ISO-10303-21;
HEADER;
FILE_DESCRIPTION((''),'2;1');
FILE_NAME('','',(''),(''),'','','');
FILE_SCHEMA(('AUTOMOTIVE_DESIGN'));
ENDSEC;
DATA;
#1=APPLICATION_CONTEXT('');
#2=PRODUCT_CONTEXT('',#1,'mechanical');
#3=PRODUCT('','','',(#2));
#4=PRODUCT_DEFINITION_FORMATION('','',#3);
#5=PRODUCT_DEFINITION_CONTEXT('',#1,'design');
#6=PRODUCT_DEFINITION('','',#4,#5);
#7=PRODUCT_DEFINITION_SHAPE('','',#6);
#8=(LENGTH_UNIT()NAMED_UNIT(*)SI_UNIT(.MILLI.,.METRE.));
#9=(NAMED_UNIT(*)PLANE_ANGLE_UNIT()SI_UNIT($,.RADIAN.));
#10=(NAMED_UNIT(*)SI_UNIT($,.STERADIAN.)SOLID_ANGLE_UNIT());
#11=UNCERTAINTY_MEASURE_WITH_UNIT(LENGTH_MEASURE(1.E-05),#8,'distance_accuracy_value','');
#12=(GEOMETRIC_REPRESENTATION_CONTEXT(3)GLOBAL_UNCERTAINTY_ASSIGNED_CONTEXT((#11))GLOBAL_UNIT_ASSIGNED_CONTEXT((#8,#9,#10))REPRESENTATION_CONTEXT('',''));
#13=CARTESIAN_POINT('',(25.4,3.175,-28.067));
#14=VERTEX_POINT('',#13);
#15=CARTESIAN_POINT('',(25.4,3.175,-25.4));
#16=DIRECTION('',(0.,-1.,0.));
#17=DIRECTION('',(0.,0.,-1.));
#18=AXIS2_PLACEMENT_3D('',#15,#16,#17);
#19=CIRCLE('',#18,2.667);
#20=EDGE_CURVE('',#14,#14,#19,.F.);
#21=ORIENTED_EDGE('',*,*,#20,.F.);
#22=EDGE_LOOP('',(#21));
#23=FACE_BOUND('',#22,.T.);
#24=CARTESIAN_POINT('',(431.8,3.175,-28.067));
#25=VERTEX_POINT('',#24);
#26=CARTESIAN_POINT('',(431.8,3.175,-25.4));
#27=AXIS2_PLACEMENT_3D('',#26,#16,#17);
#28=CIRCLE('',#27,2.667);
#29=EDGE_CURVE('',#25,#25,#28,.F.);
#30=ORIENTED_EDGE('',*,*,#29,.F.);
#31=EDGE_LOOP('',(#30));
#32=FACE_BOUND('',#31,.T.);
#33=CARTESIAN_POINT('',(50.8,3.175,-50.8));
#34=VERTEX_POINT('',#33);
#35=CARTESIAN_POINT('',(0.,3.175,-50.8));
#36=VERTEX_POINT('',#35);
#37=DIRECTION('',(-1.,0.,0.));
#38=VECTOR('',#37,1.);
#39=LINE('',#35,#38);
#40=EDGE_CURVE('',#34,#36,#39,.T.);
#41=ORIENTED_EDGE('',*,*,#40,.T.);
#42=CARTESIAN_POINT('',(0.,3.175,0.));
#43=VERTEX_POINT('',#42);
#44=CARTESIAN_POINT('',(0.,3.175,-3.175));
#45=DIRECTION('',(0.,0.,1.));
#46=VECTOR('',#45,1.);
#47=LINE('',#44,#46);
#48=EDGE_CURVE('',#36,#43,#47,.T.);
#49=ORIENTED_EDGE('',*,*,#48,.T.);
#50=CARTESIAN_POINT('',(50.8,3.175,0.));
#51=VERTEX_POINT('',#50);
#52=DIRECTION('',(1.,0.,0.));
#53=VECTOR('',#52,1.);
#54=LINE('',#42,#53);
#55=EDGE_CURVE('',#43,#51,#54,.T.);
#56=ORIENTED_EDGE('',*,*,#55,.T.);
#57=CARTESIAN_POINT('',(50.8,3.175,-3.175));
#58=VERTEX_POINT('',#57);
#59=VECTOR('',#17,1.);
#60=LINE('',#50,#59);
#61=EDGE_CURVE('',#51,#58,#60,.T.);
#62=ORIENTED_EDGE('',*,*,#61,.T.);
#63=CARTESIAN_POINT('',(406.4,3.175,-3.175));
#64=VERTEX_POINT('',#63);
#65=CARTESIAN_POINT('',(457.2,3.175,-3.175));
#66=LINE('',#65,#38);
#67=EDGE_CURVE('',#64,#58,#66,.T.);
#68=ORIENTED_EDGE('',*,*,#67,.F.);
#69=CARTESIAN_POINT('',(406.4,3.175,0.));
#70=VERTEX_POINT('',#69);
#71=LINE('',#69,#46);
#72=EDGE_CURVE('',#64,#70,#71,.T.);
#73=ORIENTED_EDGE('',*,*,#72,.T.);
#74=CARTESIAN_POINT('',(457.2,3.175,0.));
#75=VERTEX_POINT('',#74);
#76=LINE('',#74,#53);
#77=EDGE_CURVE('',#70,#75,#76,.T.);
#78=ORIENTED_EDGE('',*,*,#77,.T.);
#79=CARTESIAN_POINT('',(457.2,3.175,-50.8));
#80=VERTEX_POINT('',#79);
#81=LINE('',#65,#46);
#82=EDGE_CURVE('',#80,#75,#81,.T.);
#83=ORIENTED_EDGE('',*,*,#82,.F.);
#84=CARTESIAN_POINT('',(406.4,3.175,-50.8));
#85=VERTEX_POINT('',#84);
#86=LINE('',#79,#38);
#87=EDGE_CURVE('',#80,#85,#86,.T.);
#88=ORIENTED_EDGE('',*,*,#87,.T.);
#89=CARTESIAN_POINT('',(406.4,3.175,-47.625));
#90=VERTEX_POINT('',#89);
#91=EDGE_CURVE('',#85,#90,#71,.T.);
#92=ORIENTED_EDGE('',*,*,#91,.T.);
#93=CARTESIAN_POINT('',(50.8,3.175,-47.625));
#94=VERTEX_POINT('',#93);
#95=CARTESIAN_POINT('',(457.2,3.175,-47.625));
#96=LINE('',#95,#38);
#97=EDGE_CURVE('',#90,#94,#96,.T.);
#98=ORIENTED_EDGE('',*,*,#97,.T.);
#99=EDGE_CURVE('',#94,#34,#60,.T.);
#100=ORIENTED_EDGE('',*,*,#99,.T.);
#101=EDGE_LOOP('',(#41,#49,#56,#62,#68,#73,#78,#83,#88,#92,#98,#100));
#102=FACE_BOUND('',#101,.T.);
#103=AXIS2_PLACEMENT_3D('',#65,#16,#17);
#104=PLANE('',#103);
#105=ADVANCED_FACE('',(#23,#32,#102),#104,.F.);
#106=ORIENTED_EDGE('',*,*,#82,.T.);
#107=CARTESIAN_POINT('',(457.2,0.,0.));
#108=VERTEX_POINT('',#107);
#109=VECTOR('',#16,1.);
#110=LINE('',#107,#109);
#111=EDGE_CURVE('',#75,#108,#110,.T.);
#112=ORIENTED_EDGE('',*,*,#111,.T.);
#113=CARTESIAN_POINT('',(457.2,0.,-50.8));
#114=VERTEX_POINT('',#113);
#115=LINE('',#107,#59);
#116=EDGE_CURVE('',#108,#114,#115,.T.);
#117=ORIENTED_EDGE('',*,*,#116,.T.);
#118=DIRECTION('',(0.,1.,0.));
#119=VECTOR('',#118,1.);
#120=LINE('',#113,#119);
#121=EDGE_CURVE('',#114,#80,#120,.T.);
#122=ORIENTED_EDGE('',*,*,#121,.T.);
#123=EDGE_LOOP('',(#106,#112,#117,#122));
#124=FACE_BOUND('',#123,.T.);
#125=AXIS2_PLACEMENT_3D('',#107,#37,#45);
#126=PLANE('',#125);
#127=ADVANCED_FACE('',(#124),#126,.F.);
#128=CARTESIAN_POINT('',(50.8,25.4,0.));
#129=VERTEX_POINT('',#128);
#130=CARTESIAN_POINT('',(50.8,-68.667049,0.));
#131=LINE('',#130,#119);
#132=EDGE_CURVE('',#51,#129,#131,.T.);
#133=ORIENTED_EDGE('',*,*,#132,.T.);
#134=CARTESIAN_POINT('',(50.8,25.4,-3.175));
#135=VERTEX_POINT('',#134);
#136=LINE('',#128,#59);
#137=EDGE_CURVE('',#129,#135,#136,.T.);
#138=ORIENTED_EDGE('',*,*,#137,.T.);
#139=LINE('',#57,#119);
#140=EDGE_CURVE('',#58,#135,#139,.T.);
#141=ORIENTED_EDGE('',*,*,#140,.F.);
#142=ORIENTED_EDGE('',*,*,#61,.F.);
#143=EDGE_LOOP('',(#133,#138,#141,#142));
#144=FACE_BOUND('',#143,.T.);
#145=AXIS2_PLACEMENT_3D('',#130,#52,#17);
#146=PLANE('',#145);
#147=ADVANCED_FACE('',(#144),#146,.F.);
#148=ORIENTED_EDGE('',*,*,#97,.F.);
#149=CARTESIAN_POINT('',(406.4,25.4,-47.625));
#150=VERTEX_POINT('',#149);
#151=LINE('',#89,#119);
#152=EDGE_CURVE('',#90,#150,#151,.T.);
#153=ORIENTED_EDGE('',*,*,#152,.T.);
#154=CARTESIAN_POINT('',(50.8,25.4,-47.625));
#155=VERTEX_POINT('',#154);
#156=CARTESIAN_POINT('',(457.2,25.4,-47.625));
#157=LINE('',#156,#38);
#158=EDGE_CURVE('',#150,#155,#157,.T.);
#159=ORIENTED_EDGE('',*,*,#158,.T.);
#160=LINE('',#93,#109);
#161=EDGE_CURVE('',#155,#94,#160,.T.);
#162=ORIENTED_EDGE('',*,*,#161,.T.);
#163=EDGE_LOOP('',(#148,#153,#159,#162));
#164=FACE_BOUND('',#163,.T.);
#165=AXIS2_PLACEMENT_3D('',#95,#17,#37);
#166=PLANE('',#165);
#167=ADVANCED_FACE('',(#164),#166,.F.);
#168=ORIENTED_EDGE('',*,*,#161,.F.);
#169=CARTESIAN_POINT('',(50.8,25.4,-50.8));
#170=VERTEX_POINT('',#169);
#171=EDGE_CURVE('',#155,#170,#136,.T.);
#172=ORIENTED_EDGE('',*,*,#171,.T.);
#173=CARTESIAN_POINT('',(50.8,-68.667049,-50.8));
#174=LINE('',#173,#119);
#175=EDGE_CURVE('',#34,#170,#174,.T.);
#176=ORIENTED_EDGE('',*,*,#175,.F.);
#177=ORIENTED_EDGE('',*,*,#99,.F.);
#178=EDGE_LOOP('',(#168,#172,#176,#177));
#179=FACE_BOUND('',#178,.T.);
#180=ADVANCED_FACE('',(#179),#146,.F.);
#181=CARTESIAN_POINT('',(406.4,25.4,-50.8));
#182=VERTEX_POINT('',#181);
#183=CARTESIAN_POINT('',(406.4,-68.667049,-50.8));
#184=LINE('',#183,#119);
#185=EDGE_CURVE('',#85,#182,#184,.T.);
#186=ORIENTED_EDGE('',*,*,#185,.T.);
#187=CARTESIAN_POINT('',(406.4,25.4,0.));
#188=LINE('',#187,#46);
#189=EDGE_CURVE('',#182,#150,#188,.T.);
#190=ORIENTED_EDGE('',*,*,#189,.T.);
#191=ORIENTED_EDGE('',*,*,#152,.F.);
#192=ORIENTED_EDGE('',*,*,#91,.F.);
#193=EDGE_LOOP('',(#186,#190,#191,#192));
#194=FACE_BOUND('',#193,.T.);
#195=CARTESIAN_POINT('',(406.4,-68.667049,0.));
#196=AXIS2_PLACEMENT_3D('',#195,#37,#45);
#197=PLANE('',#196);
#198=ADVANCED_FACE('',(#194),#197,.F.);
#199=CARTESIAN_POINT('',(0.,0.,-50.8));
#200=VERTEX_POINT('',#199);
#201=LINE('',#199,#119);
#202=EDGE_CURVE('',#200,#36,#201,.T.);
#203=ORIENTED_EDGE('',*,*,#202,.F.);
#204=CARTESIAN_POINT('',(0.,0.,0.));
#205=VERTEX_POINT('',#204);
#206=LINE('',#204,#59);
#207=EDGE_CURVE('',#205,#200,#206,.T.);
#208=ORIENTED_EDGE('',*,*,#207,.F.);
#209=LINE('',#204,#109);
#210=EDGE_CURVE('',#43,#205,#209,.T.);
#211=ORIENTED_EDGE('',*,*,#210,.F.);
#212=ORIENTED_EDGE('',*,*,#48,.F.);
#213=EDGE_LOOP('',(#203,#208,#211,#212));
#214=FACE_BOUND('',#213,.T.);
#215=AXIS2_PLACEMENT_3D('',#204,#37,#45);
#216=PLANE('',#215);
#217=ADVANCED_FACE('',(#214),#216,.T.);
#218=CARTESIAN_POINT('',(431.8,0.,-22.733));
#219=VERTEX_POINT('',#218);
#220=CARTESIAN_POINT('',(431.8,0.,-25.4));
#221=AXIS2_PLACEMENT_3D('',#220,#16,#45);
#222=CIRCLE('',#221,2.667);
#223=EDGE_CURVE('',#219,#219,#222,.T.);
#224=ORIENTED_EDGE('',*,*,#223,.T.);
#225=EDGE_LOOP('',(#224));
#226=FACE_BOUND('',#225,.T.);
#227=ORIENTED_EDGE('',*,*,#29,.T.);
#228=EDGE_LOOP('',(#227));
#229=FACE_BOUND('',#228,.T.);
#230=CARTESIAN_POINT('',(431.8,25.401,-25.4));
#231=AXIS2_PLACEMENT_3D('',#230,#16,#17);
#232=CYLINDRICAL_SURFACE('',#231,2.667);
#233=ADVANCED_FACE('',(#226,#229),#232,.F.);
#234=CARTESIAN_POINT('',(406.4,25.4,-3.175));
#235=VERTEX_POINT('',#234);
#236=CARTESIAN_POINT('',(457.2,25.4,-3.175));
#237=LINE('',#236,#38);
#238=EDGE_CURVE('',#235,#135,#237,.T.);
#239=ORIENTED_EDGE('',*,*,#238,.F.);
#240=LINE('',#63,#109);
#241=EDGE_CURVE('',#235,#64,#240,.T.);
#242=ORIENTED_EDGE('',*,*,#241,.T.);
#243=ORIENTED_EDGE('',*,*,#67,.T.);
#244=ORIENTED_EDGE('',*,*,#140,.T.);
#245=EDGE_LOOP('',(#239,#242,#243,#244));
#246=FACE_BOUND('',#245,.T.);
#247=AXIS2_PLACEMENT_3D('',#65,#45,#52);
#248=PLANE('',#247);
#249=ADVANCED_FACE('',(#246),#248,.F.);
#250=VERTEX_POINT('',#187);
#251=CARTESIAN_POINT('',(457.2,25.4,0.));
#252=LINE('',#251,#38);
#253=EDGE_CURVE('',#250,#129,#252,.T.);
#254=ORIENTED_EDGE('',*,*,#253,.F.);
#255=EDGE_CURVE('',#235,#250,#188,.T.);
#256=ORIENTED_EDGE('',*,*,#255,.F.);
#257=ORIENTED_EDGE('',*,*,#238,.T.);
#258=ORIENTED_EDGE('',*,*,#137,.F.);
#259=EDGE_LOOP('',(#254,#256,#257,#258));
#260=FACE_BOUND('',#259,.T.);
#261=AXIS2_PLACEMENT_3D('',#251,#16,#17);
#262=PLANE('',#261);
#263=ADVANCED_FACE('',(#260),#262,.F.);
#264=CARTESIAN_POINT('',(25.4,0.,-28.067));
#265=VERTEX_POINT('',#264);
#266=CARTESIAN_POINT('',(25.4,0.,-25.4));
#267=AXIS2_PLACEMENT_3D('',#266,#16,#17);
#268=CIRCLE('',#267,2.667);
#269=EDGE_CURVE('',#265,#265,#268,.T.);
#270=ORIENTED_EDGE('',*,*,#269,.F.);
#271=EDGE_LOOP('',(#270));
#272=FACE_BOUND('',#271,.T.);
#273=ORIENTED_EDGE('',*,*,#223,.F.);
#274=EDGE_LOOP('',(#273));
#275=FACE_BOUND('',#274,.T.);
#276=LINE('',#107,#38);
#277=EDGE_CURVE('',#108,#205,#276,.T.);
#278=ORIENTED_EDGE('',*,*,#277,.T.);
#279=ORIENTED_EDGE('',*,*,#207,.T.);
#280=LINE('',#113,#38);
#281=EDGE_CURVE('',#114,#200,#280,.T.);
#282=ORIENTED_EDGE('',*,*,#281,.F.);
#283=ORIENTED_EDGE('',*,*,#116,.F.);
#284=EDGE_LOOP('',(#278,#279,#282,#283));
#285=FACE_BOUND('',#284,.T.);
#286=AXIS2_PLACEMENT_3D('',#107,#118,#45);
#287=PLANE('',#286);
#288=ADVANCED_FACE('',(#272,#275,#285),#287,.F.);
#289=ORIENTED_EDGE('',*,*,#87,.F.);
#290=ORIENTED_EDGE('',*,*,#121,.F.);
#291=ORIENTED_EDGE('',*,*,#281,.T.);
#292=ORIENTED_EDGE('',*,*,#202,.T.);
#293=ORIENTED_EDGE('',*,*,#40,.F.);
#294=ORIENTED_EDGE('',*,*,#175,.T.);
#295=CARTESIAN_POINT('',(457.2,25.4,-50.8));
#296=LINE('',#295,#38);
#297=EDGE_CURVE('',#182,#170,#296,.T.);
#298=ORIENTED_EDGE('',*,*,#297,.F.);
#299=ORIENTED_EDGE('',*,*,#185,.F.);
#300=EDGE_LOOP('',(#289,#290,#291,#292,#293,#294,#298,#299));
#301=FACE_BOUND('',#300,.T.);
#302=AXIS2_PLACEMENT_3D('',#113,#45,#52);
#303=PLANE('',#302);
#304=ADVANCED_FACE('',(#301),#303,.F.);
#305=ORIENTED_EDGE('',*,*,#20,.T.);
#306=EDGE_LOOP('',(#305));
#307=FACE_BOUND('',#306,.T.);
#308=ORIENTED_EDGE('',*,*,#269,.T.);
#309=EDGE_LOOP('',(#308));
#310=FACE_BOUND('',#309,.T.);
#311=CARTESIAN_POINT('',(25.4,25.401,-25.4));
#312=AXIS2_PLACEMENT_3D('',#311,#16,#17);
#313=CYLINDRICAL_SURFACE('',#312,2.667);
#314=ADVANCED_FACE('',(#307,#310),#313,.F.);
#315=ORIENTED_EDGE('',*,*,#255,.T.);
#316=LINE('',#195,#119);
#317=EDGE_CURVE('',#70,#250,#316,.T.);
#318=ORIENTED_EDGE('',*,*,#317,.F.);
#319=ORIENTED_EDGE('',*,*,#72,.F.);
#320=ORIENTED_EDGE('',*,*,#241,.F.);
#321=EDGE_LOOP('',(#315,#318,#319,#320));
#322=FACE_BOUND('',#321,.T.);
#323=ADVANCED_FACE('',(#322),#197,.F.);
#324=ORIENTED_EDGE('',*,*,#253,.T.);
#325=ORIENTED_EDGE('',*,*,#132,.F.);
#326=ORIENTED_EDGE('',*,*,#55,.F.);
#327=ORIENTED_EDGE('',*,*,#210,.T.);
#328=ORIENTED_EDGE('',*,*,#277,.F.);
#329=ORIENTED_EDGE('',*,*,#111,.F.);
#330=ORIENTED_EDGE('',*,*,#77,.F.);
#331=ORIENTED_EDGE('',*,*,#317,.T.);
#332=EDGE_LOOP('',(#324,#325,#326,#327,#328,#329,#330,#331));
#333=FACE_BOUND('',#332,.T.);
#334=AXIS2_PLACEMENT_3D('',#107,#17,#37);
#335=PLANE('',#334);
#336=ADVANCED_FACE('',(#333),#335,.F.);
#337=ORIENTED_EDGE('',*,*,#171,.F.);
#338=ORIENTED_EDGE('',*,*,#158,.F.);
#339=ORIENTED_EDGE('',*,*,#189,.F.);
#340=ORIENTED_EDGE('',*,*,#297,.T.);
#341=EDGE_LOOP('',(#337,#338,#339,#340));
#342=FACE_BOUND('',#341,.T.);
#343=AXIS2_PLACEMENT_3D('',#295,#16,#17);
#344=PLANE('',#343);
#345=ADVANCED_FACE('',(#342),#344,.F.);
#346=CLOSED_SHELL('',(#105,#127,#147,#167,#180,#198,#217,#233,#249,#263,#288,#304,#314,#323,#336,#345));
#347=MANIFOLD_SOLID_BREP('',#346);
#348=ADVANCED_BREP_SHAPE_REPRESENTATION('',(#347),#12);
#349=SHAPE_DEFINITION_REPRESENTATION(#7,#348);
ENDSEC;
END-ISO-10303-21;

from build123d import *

# Parameters (mm, degrees)
BOSS_EXTRUDE1_DEPTH = 457.2
SKETCH2_W           = 50.8
SKETCH2_H           = 50.8
CUT_EXTRUDE1_DEPTH  = 22.225
CUT_EXTRUDE2_REACH  = 27.4
SKETCH3_R           = 2.667


with BuildPart() as part:
    # Sketch1 → Boss-Extrude1 (new body)
    with BuildSketch(Plane(origin=(0, 0, 0), x_dir=(0, 0, -1), z_dir=(1, 0, 0))):
        Polygon((3.175, 3.175), (3.175, 25.4), (0, 25.4), (0, 0), (50.8, 0), (50.8, 25.4), (47.625, 25.4), (47.625, 3.175), align=None)
    extrude(amount=BOSS_EXTRUDE1_DEPTH)

    # Sketch2 → Cut-Extrude1 (cut)
    with BuildSketch(Plane(origin=(0, 25.4, 0), x_dir=(1, 0, 0), z_dir=(0, 1, 0))):
        with Locations((25.4, 25.4)):
            Rectangle(SKETCH2_W, SKETCH2_H)
        with Locations((431.8, 25.4)):
            Rectangle(SKETCH2_W, SKETCH2_H)
    extrude(amount=-CUT_EXTRUDE1_DEPTH, mode=Mode.SUBTRACT)

    # Sketch3 → Cut-Extrude2 (cut, up to next)
    with BuildSketch(Plane.XZ, mode=Mode.PRIVATE) as cut_extrude2_sk1:
        with Locations((25.4, -25.4)):
            Circle(SKETCH3_R)
    cut_extrude2_tool1 = extrude(cut_extrude2_sk1.sketch, amount=-CUT_EXTRUDE2_REACH, mode=Mode.PRIVATE) & part.part
    add(cut_extrude2_tool1.solids().sort_by_distance((25.4, 0, -25.4))[0], mode=Mode.SUBTRACT)
    # Sketch3 → Cut-Extrude2 (cut, up to next)
    with BuildSketch(Plane.XZ, mode=Mode.PRIVATE) as cut_extrude2_sk2:
        with Locations((431.8, -25.4)):
            Circle(SKETCH3_R)
    cut_extrude2_tool2 = extrude(cut_extrude2_sk2.sketch, amount=-CUT_EXTRUDE2_REACH, mode=Mode.PRIVATE) & part.part
    add(cut_extrude2_tool2.solids().sort_by_distance((431.8, 0, -25.4))[0], mode=Mode.SUBTRACT)


solid = part.part
